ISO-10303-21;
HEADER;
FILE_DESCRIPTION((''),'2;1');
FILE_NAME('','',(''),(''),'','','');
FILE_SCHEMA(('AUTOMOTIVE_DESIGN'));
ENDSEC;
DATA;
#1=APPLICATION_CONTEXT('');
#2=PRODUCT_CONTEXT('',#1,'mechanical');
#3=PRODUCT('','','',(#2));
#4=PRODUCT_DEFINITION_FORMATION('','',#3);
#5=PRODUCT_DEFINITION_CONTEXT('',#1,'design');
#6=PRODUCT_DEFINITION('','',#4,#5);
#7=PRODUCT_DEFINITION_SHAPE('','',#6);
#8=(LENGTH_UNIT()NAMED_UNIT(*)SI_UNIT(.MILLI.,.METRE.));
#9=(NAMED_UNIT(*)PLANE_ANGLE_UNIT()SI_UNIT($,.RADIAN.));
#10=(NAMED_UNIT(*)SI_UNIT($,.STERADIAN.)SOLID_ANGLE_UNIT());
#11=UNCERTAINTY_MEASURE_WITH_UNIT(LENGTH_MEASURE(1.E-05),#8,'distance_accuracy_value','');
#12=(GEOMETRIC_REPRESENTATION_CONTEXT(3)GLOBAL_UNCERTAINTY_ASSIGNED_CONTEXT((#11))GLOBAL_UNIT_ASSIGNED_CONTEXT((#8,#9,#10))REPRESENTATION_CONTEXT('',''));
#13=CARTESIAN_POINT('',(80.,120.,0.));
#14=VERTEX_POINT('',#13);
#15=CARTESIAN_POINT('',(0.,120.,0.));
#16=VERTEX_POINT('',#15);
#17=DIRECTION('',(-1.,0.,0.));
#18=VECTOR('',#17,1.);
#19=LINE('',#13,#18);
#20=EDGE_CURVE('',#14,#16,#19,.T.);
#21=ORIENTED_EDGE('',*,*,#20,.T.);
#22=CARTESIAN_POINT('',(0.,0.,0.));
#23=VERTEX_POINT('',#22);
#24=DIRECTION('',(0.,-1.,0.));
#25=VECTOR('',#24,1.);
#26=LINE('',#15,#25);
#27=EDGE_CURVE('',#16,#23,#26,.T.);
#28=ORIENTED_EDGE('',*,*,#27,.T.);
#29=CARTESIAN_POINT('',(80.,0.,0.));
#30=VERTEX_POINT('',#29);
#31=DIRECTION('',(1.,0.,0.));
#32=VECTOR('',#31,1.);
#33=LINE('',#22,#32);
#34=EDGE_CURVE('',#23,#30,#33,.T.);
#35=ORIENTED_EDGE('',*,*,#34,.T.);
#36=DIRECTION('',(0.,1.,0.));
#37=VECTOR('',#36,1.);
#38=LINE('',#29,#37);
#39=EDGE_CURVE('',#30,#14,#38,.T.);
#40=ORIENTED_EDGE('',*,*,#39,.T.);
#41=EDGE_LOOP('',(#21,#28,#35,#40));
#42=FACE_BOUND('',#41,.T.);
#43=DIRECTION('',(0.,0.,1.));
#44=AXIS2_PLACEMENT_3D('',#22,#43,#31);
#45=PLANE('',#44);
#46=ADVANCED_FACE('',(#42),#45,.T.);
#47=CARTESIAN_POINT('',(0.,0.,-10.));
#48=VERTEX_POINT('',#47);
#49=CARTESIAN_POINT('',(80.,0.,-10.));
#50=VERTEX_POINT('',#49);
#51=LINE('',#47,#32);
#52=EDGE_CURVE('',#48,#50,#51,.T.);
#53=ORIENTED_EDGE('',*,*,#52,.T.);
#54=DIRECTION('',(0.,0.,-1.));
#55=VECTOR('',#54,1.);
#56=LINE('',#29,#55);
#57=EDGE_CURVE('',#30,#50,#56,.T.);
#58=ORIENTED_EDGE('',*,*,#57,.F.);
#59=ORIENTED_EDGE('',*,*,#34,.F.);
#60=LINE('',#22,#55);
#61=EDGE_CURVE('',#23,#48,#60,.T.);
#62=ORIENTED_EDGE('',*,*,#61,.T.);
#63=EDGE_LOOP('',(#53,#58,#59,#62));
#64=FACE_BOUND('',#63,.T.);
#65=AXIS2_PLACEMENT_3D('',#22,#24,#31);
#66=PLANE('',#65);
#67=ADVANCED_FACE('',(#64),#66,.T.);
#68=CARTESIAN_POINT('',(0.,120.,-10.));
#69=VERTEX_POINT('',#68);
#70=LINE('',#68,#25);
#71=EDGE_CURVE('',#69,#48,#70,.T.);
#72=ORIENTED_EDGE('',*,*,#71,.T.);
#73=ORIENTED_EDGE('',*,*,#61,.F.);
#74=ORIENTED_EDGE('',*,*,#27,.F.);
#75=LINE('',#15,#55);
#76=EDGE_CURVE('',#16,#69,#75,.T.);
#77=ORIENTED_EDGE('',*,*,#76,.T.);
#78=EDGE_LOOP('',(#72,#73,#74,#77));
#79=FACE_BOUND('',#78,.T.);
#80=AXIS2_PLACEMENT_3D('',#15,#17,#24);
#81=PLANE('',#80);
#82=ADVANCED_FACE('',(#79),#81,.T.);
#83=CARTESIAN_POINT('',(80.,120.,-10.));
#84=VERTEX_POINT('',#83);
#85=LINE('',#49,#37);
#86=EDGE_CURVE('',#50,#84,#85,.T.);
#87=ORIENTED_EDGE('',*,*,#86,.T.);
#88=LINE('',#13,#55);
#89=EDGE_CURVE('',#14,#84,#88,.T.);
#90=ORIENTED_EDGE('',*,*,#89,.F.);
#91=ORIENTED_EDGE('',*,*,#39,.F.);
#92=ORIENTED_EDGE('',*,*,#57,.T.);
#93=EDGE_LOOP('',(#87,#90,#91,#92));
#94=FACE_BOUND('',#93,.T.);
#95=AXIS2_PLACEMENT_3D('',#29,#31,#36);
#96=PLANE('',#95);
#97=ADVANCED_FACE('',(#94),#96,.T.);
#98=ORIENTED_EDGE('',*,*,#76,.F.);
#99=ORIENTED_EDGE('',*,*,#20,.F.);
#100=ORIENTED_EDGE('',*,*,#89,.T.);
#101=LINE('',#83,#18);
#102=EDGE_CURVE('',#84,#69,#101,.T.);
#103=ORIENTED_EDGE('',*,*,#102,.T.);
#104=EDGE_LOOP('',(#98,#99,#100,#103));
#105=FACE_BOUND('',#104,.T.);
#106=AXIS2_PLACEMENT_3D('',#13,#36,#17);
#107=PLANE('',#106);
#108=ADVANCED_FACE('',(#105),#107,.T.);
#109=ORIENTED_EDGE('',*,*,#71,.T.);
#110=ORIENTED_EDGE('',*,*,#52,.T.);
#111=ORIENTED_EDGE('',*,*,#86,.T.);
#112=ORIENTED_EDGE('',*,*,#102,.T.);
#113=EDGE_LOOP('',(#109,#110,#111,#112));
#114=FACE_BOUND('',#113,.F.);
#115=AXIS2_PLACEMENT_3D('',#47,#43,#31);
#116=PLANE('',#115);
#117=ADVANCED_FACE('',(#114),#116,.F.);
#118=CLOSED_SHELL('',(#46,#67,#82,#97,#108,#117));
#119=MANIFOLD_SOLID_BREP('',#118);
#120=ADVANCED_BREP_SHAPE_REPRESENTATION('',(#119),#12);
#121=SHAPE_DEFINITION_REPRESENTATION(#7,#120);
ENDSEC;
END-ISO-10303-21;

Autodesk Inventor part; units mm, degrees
sketch "Sketch1" plane through (0, 0, 0) normal (0, 0, 1) x (1, 0, 0)
  line L0 (0, 0) -> (80, 0)
  line L1 (80, 0) -> (80, 120)
  line L2 (80, 120) -> (0, 120)
  line L3 (0, 120) -> (0, 0)
  line L4 (-16, 0) -> (96, 0) projected
  line L5 (0, 144) -> (0, -24) projected
  dimension "d0" = 120
  dimension "d1" = 80
extrude "Extrusion1" add sketch "Sketch1" against normal blind 10
ref_plane "Waste_Output_y" through (0, 10, 0) normal (0, 1, 0) x (-1, 0, 0)
ref_plane "lower_vial_2_vial_y" through (0, 15, 0) normal (0, 1, 0) x (-1, 0, 0)
ref_plane "mux_valves_4" through (0, 60, 0) normal (0, 1, 0) x (-1, 0, 0)
ref_plane "mux_valves_3" through (0, 50, 0) normal (0, 1, 0) x (-1, 0, 0)
sketch "y_coordinates" plane through (0, 0, 0) normal (0, 0, 1) x (1, 0, 0)
  line L0 (0, 0) -> (0, 120) projected
  line L1 (-84, 0) -> (84, 0) projected
  point P0 (0, 7)
  point P1 (0, 13)
  point P2 (0, 22.225)
  point P3 (0, 31.225)
  point P4 (0, 39.225)
  point P5 (0, 47.625)
  point P6 (0, 53.975)
  point P7 (0, 63.5)
  point P8 (0, 67.5789)
  point P9 (0, 73.025)
  point P10 (0, 77.7875)
  point P11 (0, 83.3695)
  point P12 (0, 87.8661)
  point P13 (0, 93.6625)
  point P14 (0, 98.425)
  point P15 (0, 103.8658)
  point P16 (0, 109.5375)
  dimension "d11" = 7
  dimension "d12" = 6
  dimension "d13" = 9.225
  dimension "d14" = 9
  dimension "d15" = 8
  dimension "d16" = 8.4
  dimension "d17" = 6.35
  dimension "d18" = 9.525
  dimension "d19" = 4.0789
  dimension "d20" = 5.4461
  dimension "d21" = 4.7625
  dimension "d22" = 5.582
  dimension "d23" = 4.4966
  dimension "d24" = 5.7964
  dimension "d25" = 4.7625
  dimension "d26" = 5.4408
  dimension "d27" = 5.6717
ref_plane "y_waste_output" through (0, 7, 0) normal (0, 1, 0) x (-1, 0, 0)
ref_plane "y_lower_vial_2_vial" through (0, 13, 0) normal (0, 1, 0) x (-1, 0, 0)
ref_plane "y_lower_mux" through (0, 22.225, 0) normal (0, 1, 0) x (-1, 0, 0)
ref_plane "y_mux_valves_1" through (0, 31.225, 0) normal (0, 1, 0) x (-1, 0, 0)
ref_plane "y_mux_valves_2" through (0, 39.225, 0) normal (0, 1, 0) x (-1, 0, 0)
ref_plane "y_mux_valves_3" through (0, 47.625, 0) normal (0, 1, 0) x (-1, 0, 0)
ref_plane "y_mux_valves_4" through (0, 53.975, 0) normal (0, 1, 0) x (-1, 0, 0)
ref_plane "y_from_vial" through (0, 63.5, 0) normal (0, 1, 0) x (-1, 0, 0)
ref_plane "y_from_vial_valves" through (0, 67.5789, 0) normal (0, 1, 0) x (-1, 0, 0)
ref_plane "y_from_vial_line" through (0, 73.025, 0) normal (0, 1, 0) x (-1, 0, 0)
ref_plane "y_bypass_valves" through (0, 77.7875, 0) normal (0, 1, 0) x (-1, 0, 0)
ref_plane "y_to_vial_line" through (0, 83.3695, 0) normal (0, 1, 0) x (-1, 0, 0)
ref_plane "y_to_vial_valves" through (0, 87.8661, 0) normal (0, 1, 0) x (-1, 0, 0)
ref_plane "y_to_vial" through (0, 93.6625, 0) normal (0, 1, 0) x (-1, 0, 0)
ref_plane "y_demux_valves_1" through (0, 98.425, 0) normal (0, 1, 0) x (-1, 0, 0)
ref_plane "y_demux_valves_2" through (0, 103.8658, 0) normal (0, 1, 0) x (-1, 0, 0)
ref_plane "y_demux_valves_3" through (0, 109.5375, 0) normal (0, 1, 0) x (-1, 0, 0)
ref_plane "lower_mux_y" through (0, 20, 0) normal (0, 1, 0) x (-1, 0, 0)
ref_plane "mux_valves_1" through (0, 30, 0) normal (0, 1, 0) x (-1, 0, 0)
ref_plane "mux_valves_2" through (0, 40, 0) normal (0, 1, 0) x (-1, 0, 0)
properties part number "2nd try"
